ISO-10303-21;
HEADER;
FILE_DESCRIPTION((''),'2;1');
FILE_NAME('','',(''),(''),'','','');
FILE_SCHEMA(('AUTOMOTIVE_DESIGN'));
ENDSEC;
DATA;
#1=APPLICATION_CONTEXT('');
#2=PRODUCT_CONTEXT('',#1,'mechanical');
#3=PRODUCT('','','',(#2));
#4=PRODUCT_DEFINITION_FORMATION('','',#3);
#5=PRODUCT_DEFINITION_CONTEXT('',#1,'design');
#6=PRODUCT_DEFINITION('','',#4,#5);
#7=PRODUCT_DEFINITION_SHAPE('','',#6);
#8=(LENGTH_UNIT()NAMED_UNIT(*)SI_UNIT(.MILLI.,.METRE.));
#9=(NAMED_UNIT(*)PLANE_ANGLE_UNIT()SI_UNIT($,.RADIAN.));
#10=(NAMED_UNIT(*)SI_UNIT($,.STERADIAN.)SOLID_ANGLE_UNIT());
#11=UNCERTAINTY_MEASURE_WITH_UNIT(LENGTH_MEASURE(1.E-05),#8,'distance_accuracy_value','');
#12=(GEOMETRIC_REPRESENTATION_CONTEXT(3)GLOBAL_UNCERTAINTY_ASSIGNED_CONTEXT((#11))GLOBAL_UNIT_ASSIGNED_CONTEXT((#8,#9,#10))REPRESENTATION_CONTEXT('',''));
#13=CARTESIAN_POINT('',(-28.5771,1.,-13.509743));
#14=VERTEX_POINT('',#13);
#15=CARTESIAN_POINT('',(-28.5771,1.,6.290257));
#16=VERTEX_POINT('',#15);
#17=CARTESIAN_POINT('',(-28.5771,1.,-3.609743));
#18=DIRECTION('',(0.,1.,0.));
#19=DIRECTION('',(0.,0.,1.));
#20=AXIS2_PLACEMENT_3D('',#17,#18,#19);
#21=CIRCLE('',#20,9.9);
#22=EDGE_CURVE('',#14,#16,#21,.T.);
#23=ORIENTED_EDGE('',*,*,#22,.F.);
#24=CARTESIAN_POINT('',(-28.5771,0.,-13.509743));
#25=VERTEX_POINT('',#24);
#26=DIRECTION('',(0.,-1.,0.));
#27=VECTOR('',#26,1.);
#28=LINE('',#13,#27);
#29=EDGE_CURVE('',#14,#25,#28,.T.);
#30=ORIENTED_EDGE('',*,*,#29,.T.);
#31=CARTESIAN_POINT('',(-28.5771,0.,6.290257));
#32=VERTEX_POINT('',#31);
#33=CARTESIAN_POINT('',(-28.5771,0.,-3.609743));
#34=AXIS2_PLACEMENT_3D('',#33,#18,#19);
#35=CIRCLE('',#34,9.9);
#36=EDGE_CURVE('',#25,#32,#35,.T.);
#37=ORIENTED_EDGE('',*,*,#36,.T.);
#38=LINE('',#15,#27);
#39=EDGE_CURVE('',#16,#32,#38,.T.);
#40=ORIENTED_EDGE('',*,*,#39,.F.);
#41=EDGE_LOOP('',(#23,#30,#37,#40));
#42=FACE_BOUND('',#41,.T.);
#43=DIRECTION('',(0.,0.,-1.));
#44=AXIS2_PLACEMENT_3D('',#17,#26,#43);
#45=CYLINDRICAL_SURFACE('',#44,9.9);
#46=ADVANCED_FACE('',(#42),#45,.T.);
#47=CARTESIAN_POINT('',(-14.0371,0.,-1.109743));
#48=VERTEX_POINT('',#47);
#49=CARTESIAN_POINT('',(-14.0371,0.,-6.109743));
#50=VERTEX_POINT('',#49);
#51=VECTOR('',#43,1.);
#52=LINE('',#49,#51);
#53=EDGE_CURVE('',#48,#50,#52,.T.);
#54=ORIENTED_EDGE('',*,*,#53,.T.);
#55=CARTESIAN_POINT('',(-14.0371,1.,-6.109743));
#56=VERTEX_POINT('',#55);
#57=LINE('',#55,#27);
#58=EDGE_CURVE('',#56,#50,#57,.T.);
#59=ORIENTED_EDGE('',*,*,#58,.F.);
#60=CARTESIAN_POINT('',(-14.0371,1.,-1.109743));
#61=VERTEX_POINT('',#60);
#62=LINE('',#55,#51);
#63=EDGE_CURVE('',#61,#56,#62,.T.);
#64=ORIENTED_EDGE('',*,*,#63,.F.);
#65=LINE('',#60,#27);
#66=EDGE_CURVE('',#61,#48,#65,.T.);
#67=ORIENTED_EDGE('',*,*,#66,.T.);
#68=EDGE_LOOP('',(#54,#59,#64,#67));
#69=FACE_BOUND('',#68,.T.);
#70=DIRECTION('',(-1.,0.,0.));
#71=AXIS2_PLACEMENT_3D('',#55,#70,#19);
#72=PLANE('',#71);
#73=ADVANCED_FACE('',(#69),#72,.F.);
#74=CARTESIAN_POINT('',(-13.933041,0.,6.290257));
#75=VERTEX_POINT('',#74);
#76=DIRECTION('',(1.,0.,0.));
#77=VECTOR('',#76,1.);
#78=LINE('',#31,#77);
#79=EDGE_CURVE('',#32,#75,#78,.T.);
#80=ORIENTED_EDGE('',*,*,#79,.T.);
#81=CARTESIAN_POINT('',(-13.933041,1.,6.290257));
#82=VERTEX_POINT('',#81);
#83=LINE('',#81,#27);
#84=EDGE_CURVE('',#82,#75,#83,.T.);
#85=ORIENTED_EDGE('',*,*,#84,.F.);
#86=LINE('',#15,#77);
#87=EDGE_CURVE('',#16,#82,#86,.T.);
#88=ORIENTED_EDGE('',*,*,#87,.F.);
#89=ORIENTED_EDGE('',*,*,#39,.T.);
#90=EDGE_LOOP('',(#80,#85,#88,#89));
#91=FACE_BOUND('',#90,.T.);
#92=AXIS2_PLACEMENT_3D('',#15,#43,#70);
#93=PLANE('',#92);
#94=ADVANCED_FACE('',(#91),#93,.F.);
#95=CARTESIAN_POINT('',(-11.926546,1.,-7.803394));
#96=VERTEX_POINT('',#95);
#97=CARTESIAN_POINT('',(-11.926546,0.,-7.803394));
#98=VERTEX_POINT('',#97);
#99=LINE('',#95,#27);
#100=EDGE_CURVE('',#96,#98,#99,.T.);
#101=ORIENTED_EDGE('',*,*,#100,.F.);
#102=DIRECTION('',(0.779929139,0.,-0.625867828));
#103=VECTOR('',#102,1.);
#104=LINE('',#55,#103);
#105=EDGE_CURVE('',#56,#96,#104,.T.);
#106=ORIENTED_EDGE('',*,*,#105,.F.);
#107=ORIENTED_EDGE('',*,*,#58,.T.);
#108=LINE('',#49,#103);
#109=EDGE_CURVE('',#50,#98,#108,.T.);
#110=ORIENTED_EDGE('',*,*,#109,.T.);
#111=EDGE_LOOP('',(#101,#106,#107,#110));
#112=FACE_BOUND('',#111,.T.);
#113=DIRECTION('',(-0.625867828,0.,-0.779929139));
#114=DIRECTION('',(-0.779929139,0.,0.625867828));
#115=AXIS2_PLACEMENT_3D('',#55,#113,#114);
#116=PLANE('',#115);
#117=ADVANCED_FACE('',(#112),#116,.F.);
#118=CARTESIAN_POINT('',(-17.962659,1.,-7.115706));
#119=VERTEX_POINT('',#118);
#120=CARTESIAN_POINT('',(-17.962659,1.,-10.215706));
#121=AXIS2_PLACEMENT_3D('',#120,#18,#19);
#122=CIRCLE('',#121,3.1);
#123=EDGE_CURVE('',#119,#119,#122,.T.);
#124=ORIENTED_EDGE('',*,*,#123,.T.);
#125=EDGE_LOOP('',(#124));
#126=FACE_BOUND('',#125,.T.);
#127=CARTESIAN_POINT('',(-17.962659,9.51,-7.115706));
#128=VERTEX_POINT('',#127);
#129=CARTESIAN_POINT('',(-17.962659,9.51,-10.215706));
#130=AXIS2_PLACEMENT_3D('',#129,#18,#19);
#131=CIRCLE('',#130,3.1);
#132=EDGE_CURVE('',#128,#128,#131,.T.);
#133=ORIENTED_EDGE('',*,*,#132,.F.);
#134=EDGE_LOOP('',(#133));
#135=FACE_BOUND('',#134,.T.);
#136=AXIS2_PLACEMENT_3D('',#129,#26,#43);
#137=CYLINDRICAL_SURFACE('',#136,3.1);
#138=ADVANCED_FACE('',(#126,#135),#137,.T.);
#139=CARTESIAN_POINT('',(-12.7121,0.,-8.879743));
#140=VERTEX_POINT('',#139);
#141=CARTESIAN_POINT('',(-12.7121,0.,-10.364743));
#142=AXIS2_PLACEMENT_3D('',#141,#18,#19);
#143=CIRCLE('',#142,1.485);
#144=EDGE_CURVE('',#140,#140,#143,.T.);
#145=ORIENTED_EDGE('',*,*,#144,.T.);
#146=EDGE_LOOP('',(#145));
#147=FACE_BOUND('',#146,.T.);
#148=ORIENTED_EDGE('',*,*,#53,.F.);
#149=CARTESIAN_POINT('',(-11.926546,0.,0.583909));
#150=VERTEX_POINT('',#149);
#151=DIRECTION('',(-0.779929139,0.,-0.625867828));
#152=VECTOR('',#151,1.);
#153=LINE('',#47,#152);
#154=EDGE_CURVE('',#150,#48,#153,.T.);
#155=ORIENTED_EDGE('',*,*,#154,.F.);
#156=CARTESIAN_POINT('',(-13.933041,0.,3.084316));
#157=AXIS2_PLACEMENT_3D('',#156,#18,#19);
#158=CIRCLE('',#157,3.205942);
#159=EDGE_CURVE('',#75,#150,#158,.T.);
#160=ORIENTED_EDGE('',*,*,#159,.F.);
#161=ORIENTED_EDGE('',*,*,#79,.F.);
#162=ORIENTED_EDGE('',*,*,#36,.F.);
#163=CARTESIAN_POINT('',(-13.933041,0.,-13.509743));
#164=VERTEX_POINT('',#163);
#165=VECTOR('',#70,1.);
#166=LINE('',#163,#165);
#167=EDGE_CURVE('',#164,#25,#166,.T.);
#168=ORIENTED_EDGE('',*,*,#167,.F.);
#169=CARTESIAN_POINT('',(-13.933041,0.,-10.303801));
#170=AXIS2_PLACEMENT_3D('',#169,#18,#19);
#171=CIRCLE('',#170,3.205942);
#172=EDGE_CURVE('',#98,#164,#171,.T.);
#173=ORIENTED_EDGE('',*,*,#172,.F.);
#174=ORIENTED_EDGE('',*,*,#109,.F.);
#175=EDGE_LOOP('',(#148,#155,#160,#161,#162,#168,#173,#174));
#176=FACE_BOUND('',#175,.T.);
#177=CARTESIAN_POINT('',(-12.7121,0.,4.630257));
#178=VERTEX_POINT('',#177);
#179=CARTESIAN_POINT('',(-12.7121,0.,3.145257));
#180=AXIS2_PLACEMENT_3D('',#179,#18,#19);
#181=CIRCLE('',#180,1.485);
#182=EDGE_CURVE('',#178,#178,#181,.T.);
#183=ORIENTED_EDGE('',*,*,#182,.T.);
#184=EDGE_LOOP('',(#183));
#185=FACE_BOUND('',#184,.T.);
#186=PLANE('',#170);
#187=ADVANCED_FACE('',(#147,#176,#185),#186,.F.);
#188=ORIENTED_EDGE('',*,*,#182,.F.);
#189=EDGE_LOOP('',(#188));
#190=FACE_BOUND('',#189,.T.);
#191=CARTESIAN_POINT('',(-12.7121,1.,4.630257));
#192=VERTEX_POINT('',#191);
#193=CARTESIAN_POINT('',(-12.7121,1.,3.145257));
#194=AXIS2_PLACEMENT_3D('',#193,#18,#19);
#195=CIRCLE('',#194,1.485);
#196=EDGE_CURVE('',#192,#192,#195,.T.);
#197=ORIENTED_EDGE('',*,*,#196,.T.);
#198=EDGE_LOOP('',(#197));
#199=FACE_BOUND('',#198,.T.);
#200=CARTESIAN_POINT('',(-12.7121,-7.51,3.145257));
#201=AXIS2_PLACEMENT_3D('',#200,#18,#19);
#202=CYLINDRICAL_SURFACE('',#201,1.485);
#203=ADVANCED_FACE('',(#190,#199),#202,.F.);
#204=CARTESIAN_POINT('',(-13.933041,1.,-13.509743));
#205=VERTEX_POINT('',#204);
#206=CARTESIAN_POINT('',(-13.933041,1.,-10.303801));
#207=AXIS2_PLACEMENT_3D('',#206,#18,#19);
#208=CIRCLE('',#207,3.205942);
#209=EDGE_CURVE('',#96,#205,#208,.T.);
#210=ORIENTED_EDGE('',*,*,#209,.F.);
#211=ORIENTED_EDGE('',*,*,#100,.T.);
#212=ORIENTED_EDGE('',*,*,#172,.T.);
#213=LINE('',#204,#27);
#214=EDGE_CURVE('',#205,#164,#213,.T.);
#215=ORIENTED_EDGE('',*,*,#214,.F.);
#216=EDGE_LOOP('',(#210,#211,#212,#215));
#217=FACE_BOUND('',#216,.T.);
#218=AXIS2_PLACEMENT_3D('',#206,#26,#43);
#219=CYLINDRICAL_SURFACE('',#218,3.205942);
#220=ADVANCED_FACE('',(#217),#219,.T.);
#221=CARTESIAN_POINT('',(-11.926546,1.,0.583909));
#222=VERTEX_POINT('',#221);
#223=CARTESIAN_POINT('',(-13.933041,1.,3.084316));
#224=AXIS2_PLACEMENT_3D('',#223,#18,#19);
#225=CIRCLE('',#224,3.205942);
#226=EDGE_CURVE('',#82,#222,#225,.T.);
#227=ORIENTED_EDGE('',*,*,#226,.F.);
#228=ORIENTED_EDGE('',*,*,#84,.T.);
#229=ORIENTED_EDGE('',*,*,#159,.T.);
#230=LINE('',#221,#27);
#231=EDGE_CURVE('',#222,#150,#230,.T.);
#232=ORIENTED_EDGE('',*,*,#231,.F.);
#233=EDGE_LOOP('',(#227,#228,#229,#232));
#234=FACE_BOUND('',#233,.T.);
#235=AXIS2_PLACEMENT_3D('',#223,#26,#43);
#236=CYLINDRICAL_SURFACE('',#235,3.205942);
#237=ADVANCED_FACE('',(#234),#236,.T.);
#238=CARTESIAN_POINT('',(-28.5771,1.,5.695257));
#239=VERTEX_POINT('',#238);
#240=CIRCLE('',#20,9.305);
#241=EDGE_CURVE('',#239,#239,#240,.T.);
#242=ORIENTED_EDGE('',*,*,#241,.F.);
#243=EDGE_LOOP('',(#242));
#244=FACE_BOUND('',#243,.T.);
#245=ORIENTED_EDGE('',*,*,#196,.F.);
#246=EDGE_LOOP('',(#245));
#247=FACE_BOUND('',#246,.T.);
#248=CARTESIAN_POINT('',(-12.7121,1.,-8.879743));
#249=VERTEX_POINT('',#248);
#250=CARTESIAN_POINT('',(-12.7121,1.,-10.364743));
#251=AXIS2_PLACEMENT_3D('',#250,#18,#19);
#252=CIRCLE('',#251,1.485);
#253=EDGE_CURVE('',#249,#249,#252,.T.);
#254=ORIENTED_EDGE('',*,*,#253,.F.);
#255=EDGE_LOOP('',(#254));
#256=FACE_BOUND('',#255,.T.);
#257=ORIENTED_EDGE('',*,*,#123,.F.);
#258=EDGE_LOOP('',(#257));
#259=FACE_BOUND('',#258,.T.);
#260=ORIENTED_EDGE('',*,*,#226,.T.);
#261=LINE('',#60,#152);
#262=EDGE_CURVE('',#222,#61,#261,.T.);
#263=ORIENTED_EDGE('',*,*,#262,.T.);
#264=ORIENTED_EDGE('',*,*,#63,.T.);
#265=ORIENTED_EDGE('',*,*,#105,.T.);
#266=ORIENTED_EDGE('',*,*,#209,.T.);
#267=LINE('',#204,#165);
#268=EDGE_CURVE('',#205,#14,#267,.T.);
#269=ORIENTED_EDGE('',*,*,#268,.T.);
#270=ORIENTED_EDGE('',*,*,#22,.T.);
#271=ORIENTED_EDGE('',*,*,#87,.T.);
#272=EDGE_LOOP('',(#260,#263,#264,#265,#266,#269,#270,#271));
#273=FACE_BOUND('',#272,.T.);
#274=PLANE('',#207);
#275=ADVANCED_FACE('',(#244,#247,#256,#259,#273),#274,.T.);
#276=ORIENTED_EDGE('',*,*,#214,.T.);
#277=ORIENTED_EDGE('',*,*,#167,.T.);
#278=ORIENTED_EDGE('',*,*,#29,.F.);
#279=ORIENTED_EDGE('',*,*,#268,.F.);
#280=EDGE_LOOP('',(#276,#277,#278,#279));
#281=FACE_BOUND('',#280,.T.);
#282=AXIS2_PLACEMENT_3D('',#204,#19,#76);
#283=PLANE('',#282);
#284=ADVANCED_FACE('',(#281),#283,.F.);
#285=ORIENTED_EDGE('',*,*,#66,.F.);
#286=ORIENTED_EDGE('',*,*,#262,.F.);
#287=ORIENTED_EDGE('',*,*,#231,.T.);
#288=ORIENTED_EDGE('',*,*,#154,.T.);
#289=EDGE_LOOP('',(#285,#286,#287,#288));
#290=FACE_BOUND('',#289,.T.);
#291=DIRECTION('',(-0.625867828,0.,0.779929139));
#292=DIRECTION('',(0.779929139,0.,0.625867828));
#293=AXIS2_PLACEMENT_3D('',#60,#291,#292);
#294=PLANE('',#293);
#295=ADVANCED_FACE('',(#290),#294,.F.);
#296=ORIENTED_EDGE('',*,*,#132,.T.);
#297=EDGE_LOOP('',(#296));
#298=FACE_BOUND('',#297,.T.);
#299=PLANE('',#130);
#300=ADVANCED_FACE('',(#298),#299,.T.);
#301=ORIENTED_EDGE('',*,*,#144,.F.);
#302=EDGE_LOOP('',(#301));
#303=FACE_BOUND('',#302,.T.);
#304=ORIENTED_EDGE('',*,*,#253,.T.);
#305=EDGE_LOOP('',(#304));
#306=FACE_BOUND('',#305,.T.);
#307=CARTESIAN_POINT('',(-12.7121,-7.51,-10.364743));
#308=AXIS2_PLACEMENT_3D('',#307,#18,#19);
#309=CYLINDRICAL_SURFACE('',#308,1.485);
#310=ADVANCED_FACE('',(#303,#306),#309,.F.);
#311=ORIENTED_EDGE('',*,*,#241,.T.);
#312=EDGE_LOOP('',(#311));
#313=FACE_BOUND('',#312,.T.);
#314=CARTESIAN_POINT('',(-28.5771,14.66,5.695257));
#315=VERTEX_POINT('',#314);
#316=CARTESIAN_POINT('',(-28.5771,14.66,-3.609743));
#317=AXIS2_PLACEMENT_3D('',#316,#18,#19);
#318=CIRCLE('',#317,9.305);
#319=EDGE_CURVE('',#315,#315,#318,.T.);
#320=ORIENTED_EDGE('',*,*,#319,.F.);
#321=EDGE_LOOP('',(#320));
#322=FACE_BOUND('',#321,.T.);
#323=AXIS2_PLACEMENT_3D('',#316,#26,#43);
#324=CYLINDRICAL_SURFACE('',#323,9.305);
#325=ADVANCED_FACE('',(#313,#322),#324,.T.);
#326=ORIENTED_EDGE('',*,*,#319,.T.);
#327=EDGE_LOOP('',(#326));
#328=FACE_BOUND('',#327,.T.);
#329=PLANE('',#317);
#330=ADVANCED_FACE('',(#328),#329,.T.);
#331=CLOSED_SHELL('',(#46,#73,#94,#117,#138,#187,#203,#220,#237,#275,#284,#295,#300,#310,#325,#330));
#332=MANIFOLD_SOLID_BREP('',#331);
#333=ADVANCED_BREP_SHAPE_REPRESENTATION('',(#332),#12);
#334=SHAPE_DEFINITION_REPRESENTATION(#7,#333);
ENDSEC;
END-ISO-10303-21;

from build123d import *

# Parameters (mm, degrees)
BOSS_EXTRUDE1_DEPTH = 1
SKETCH2_R           = 9.305
BOSS_EXTRUDE2_DEPTH = 13.66
SKETCH3_R           = 3.1
BOSS_EXTRUDE3_DEPTH = 8.51
SKETCH4_R           = 1.485
CUT_EXTRUDE1_DEPTH  = 8.51


with BuildPart() as part:
    # Sketch1 → Boss-Extrude1 (new body)
    with BuildSketch(Plane(origin=(0, 0, 0), x_dir=(1, 0, 0), z_dir=(0, 1, 0))):
        with BuildLine():
            Line((-13.933041308, 13.509742501), (-28.57709975, 13.509742501))
            ThreePointArc((-28.57709975, 13.509742501), (-38.47709975, 3.609742501), (-28.57709975, -6.290257499))
            Line((-28.57709975, -6.290257499), (-13.933041308, -6.290257499))
            ThreePointArc((-13.933041308, -6.290257499), (-10.908622294, -4.147777693), (-11.926545628, -0.583908702))
            Line((-11.926545628, -0.583908702), (-14.03709975, 1.109742501))
            Line((-14.03709975, 1.109742501), (-14.03709975, 6.109742501))
            Line((-14.03709975, 6.109742501), (-11.926545628, 7.803393704))
            ThreePointArc((-11.926545628, 7.803393704), (-10.908622294, 11.367262695), (-13.933041308, 13.509742501))
        make_face()
    extrude(amount=BOSS_EXTRUDE1_DEPTH)

    # Sketch2 → Boss-Extrude2 (add)
    with BuildSketch(Plane(origin=(0, 1, 0), x_dir=(1, 0, 0), z_dir=(0, 1, 0))):
        with Locations(Location((-28.57709975, 3.609742501, 0), (0, 0, 270))):
            Circle(SKETCH2_R)
    extrude(amount=BOSS_EXTRUDE2_DEPTH)

    # Sketch3 → Boss-Extrude3 (add)
    with BuildSketch(Plane(origin=(0, 1, 0), x_dir=(1, 0, 0), z_dir=(0, 1, 0))):
        with Locations(Location((-17.962659231, 10.215706191, 0), (0, 0, 270))):
            Circle(SKETCH3_R)
    extrude(amount=BOSS_EXTRUDE3_DEPTH)

    # Sketch4 → Cut-Extrude1 (cut)
    with BuildSketch(Plane(origin=(0, 1, 0), x_dir=(1, 0, 0), z_dir=(0, 1, 0))):
        with Locations(Location((-12.71209975, 10.364742501, 0), (0, 0, 270))):
            Circle(SKETCH4_R)
        with Locations(Location((-12.71209975, -3.145257499, 0), (0, 0, 270))):
            Circle(SKETCH4_R)
    extrude(amount=-CUT_EXTRUDE1_DEPTH, mode=Mode.SUBTRACT)


solid = part.part
